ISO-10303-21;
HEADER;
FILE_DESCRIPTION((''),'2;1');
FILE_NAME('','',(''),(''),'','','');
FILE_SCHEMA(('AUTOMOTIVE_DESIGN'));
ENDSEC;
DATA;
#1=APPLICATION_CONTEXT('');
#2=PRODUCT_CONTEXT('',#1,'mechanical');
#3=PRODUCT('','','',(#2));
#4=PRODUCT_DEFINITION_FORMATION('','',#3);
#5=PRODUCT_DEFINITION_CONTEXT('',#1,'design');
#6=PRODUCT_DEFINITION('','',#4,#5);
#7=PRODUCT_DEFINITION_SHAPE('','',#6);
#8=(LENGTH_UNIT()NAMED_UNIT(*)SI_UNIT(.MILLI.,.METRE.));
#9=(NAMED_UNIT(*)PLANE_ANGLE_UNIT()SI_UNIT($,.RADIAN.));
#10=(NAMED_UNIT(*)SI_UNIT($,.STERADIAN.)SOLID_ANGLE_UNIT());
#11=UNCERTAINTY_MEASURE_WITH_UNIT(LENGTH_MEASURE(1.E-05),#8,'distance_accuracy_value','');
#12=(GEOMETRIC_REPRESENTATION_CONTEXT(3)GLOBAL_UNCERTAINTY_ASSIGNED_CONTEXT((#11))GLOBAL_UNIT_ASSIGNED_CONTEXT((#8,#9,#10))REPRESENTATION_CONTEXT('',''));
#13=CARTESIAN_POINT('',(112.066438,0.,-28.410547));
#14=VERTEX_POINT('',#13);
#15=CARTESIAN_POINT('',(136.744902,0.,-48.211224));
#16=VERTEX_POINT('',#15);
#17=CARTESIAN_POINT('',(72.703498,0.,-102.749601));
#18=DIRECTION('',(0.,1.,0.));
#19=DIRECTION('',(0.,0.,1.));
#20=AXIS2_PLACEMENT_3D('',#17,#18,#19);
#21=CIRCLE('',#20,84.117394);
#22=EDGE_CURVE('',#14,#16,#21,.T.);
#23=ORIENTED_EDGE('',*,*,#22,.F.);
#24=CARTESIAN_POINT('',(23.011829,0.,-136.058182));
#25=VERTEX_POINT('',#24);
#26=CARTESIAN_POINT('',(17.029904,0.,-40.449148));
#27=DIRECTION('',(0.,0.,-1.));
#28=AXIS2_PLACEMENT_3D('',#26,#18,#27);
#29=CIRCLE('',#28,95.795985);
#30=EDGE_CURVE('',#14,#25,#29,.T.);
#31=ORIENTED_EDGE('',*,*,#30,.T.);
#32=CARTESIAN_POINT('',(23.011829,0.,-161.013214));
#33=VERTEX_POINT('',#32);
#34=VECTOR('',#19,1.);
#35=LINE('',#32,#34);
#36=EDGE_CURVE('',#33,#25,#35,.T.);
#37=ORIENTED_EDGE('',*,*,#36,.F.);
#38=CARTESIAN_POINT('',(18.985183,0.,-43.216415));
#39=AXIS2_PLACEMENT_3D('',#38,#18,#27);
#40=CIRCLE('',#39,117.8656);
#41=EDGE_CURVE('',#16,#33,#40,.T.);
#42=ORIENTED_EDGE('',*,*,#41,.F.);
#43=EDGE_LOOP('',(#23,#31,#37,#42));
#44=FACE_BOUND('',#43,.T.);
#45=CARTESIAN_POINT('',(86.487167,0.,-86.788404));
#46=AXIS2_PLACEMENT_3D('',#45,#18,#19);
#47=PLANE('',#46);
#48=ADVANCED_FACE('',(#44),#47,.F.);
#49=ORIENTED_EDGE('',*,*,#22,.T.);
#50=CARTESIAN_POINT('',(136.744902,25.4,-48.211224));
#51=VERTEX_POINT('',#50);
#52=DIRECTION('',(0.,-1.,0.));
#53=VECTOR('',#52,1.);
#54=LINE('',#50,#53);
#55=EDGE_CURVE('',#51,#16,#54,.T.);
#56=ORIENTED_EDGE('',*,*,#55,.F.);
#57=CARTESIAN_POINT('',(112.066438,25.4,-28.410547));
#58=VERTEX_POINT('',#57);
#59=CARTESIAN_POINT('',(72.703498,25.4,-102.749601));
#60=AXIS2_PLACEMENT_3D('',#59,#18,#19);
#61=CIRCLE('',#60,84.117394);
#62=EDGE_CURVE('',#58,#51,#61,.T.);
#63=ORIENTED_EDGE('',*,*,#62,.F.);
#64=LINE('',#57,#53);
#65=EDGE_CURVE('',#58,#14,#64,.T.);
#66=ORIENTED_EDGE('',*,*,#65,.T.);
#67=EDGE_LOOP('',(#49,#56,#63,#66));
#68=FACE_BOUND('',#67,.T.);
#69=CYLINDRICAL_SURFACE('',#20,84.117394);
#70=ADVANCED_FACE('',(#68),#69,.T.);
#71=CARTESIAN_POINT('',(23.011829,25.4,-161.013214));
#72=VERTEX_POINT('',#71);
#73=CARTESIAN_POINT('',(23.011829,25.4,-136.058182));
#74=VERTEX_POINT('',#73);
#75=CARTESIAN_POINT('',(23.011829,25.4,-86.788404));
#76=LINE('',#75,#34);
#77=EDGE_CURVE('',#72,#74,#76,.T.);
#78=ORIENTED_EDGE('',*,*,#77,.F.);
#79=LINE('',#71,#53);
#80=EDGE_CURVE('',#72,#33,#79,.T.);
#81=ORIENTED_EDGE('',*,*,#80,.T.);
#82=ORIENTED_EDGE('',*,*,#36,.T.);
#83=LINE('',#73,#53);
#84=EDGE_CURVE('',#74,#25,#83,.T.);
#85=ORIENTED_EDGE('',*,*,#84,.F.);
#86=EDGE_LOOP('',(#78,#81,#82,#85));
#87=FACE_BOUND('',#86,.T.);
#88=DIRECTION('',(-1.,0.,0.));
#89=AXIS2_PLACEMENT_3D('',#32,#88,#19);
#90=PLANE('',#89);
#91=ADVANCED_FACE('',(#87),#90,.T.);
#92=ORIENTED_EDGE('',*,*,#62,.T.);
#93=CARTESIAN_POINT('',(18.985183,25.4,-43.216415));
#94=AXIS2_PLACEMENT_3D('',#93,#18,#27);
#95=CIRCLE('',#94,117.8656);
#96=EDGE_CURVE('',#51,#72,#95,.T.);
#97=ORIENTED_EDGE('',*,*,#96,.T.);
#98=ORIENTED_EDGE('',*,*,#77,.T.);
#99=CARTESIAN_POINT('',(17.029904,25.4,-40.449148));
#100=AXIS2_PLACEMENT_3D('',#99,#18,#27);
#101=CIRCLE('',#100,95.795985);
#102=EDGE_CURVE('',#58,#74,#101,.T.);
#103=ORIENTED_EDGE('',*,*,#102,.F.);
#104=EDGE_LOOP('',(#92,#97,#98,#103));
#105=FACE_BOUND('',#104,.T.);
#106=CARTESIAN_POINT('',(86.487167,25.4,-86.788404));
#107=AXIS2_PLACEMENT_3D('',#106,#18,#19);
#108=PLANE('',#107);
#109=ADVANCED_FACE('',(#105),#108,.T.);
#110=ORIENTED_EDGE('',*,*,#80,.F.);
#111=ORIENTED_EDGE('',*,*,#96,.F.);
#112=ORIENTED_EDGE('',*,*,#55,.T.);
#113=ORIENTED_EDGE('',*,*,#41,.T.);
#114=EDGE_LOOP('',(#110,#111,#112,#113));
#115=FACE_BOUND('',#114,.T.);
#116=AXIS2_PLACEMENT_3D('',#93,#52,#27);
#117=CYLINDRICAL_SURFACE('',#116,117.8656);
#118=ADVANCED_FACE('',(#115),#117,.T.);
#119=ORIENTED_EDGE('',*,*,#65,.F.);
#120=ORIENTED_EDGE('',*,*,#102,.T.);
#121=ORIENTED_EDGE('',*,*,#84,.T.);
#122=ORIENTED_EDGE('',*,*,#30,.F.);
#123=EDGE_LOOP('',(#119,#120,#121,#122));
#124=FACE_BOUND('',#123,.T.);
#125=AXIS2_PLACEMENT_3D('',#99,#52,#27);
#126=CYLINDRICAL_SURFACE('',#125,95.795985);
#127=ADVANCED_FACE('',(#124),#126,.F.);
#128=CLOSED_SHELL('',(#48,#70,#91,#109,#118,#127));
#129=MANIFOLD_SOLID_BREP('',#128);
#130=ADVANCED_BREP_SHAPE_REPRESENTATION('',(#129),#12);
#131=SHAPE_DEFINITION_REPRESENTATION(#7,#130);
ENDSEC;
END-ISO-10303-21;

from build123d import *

# Parameters (mm, degrees)
BOSS_EXTRUDE1_DEPTH     = 25.4
BOSS_EXTRUDE1_2_DEPTH   = 25.4
CUT_EXTRUDE1_DEPTH      = 281.867791968
CUT_EXTRUDE1_DEPTH_BACK = 281.867791968
SKETCH2_W               = 46.910236734
SKETCH2_H               = 46.937556504
CUT_EXTRUDE2_DEPTH      = 281.278275978
CUT_EXTRUDE2_DEPTH_BACK = 281.278275978
SKETCH3_OUTSIDE_W       = 231.024
SKETCH3_OUTSIDE_H       = 277.081


with BuildPart() as part:
    # Sketch1 → Boss-Extrude1 (new body)
    with BuildSketch(Plane(origin=(0, 0, 0), x_dir=(1, 0, 0), z_dir=(0, 1, 0))):
        with BuildLine():
            Line((0, 80.02759766), (0, 219.067642019))
            Line((0, 219.067642019), (103.040086398, 219.067642019))
            Line((103.040086398, 219.067642019), (103.040086398, 195.999460881))
            Line((103.040086398, 195.999460881), (23.011829096, 195.999460881))
            Line((23.011829096, 195.999460881), (23.011829096, 161.013213822))
            ThreePointArc((23.011829096, 161.013213822), (101.985495584, 126.901824422), (136.744902109, 48.211224327))
            ThreePointArc((136.744902109, 48.211224327), (146.280346481, 62.911008862), (150.026111113, 80.02759766))
            Line((150.026111113, 80.02759766), (150.026111113, 148.011746996))
            Line((150.026111113, 148.011746996), (172.974333949, 148.011746996))
            Line((172.974333949, 148.011746996), (172.974333949, 80.02759766))
            ThreePointArc((172.974333949, 80.02759766), (86.487166974, 0.037389651), (0, 80.02759766))
        make_face()
        with BuildLine():
            Line((23.011829096, 136.058182002), (23.011829096, 80.02759766))
            ThreePointArc((23.011829096, 80.02759766), (54.48283159, 31.69310754), (112.066438029, 28.410547154))
            ThreePointArc((112.066438029, 28.410547154), (90.841729512, 101.512108787), (23.011829096, 136.058182002))
        make_face(mode=Mode.SUBTRACT)
    extrude(amount=BOSS_EXTRUDE1_DEPTH)

    # Sketch3 outside → Cut-Extrude2 (cut, two sides: drawn at the far end of the back side and taken through both)
    with BuildSketch(Plane(origin=(0, 25.4, 0), x_dir=(1, 0, 0), z_dir=(0, 1, 0)).offset(-CUT_EXTRUDE2_DEPTH_BACK)):
        with Locations((86.487, 109.5525)):
            Rectangle(SKETCH3_OUTSIDE_W, SKETCH3_OUTSIDE_H)
        with BuildLine():
            Line((23.011829096, 161.013213822), (23.011829096, 136.058182002))
            ThreePointArc((23.011829096, 136.058182002), (90.841729512, 101.512108787), (112.066438029, 28.410547154))
            ThreePointArc((112.066438029, 28.410547154), (125.345033884, 37.140114864), (136.744902109, 48.211224327))
            ThreePointArc((136.744902109, 48.211224327), (101.985495584, 126.901824422), (23.011829096, 161.013213822))
        make_face(mode=Mode.SUBTRACT)
    extrude(amount=CUT_EXTRUDE2_DEPTH + CUT_EXTRUDE2_DEPTH_BACK, mode=Mode.SUBTRACT)


with BuildPart() as body_2:
    # Sketch1 → Boss-Extrude1 2 (new body)
    with BuildSketch(Plane(origin=(0, 0, 0), x_dir=(1, 0, 0), z_dir=(0, 1, 0))):
        Polygon((173.927929859, 172.130085515), (150.026111113, 172.130085515), (150.026111113, 195.999460881), (127.017693125, 195.999460881), (127.017693125, 219.067642019), (173.927929859, 219.067642019), align=None)
    extrude(amount=BOSS_EXTRUDE1_2_DEPTH)

    # Sketch2 → Cut-Extrude1 (cut, two sides: drawn at the far end of the back side and taken through both)
    with BuildSketch(Plane(origin=(0, 25.4, 0), x_dir=(1, 0, 0), z_dir=(0, 1, 0)).offset(-CUT_EXTRUDE1_DEPTH_BACK)):
        with Locations((150.472811492, 195.598863767)):
            Rectangle(SKETCH2_W, SKETCH2_H)
    extrude(amount=CUT_EXTRUDE1_DEPTH + CUT_EXTRUDE1_DEPTH_BACK, mode=Mode.SUBTRACT)


solid = part.part
